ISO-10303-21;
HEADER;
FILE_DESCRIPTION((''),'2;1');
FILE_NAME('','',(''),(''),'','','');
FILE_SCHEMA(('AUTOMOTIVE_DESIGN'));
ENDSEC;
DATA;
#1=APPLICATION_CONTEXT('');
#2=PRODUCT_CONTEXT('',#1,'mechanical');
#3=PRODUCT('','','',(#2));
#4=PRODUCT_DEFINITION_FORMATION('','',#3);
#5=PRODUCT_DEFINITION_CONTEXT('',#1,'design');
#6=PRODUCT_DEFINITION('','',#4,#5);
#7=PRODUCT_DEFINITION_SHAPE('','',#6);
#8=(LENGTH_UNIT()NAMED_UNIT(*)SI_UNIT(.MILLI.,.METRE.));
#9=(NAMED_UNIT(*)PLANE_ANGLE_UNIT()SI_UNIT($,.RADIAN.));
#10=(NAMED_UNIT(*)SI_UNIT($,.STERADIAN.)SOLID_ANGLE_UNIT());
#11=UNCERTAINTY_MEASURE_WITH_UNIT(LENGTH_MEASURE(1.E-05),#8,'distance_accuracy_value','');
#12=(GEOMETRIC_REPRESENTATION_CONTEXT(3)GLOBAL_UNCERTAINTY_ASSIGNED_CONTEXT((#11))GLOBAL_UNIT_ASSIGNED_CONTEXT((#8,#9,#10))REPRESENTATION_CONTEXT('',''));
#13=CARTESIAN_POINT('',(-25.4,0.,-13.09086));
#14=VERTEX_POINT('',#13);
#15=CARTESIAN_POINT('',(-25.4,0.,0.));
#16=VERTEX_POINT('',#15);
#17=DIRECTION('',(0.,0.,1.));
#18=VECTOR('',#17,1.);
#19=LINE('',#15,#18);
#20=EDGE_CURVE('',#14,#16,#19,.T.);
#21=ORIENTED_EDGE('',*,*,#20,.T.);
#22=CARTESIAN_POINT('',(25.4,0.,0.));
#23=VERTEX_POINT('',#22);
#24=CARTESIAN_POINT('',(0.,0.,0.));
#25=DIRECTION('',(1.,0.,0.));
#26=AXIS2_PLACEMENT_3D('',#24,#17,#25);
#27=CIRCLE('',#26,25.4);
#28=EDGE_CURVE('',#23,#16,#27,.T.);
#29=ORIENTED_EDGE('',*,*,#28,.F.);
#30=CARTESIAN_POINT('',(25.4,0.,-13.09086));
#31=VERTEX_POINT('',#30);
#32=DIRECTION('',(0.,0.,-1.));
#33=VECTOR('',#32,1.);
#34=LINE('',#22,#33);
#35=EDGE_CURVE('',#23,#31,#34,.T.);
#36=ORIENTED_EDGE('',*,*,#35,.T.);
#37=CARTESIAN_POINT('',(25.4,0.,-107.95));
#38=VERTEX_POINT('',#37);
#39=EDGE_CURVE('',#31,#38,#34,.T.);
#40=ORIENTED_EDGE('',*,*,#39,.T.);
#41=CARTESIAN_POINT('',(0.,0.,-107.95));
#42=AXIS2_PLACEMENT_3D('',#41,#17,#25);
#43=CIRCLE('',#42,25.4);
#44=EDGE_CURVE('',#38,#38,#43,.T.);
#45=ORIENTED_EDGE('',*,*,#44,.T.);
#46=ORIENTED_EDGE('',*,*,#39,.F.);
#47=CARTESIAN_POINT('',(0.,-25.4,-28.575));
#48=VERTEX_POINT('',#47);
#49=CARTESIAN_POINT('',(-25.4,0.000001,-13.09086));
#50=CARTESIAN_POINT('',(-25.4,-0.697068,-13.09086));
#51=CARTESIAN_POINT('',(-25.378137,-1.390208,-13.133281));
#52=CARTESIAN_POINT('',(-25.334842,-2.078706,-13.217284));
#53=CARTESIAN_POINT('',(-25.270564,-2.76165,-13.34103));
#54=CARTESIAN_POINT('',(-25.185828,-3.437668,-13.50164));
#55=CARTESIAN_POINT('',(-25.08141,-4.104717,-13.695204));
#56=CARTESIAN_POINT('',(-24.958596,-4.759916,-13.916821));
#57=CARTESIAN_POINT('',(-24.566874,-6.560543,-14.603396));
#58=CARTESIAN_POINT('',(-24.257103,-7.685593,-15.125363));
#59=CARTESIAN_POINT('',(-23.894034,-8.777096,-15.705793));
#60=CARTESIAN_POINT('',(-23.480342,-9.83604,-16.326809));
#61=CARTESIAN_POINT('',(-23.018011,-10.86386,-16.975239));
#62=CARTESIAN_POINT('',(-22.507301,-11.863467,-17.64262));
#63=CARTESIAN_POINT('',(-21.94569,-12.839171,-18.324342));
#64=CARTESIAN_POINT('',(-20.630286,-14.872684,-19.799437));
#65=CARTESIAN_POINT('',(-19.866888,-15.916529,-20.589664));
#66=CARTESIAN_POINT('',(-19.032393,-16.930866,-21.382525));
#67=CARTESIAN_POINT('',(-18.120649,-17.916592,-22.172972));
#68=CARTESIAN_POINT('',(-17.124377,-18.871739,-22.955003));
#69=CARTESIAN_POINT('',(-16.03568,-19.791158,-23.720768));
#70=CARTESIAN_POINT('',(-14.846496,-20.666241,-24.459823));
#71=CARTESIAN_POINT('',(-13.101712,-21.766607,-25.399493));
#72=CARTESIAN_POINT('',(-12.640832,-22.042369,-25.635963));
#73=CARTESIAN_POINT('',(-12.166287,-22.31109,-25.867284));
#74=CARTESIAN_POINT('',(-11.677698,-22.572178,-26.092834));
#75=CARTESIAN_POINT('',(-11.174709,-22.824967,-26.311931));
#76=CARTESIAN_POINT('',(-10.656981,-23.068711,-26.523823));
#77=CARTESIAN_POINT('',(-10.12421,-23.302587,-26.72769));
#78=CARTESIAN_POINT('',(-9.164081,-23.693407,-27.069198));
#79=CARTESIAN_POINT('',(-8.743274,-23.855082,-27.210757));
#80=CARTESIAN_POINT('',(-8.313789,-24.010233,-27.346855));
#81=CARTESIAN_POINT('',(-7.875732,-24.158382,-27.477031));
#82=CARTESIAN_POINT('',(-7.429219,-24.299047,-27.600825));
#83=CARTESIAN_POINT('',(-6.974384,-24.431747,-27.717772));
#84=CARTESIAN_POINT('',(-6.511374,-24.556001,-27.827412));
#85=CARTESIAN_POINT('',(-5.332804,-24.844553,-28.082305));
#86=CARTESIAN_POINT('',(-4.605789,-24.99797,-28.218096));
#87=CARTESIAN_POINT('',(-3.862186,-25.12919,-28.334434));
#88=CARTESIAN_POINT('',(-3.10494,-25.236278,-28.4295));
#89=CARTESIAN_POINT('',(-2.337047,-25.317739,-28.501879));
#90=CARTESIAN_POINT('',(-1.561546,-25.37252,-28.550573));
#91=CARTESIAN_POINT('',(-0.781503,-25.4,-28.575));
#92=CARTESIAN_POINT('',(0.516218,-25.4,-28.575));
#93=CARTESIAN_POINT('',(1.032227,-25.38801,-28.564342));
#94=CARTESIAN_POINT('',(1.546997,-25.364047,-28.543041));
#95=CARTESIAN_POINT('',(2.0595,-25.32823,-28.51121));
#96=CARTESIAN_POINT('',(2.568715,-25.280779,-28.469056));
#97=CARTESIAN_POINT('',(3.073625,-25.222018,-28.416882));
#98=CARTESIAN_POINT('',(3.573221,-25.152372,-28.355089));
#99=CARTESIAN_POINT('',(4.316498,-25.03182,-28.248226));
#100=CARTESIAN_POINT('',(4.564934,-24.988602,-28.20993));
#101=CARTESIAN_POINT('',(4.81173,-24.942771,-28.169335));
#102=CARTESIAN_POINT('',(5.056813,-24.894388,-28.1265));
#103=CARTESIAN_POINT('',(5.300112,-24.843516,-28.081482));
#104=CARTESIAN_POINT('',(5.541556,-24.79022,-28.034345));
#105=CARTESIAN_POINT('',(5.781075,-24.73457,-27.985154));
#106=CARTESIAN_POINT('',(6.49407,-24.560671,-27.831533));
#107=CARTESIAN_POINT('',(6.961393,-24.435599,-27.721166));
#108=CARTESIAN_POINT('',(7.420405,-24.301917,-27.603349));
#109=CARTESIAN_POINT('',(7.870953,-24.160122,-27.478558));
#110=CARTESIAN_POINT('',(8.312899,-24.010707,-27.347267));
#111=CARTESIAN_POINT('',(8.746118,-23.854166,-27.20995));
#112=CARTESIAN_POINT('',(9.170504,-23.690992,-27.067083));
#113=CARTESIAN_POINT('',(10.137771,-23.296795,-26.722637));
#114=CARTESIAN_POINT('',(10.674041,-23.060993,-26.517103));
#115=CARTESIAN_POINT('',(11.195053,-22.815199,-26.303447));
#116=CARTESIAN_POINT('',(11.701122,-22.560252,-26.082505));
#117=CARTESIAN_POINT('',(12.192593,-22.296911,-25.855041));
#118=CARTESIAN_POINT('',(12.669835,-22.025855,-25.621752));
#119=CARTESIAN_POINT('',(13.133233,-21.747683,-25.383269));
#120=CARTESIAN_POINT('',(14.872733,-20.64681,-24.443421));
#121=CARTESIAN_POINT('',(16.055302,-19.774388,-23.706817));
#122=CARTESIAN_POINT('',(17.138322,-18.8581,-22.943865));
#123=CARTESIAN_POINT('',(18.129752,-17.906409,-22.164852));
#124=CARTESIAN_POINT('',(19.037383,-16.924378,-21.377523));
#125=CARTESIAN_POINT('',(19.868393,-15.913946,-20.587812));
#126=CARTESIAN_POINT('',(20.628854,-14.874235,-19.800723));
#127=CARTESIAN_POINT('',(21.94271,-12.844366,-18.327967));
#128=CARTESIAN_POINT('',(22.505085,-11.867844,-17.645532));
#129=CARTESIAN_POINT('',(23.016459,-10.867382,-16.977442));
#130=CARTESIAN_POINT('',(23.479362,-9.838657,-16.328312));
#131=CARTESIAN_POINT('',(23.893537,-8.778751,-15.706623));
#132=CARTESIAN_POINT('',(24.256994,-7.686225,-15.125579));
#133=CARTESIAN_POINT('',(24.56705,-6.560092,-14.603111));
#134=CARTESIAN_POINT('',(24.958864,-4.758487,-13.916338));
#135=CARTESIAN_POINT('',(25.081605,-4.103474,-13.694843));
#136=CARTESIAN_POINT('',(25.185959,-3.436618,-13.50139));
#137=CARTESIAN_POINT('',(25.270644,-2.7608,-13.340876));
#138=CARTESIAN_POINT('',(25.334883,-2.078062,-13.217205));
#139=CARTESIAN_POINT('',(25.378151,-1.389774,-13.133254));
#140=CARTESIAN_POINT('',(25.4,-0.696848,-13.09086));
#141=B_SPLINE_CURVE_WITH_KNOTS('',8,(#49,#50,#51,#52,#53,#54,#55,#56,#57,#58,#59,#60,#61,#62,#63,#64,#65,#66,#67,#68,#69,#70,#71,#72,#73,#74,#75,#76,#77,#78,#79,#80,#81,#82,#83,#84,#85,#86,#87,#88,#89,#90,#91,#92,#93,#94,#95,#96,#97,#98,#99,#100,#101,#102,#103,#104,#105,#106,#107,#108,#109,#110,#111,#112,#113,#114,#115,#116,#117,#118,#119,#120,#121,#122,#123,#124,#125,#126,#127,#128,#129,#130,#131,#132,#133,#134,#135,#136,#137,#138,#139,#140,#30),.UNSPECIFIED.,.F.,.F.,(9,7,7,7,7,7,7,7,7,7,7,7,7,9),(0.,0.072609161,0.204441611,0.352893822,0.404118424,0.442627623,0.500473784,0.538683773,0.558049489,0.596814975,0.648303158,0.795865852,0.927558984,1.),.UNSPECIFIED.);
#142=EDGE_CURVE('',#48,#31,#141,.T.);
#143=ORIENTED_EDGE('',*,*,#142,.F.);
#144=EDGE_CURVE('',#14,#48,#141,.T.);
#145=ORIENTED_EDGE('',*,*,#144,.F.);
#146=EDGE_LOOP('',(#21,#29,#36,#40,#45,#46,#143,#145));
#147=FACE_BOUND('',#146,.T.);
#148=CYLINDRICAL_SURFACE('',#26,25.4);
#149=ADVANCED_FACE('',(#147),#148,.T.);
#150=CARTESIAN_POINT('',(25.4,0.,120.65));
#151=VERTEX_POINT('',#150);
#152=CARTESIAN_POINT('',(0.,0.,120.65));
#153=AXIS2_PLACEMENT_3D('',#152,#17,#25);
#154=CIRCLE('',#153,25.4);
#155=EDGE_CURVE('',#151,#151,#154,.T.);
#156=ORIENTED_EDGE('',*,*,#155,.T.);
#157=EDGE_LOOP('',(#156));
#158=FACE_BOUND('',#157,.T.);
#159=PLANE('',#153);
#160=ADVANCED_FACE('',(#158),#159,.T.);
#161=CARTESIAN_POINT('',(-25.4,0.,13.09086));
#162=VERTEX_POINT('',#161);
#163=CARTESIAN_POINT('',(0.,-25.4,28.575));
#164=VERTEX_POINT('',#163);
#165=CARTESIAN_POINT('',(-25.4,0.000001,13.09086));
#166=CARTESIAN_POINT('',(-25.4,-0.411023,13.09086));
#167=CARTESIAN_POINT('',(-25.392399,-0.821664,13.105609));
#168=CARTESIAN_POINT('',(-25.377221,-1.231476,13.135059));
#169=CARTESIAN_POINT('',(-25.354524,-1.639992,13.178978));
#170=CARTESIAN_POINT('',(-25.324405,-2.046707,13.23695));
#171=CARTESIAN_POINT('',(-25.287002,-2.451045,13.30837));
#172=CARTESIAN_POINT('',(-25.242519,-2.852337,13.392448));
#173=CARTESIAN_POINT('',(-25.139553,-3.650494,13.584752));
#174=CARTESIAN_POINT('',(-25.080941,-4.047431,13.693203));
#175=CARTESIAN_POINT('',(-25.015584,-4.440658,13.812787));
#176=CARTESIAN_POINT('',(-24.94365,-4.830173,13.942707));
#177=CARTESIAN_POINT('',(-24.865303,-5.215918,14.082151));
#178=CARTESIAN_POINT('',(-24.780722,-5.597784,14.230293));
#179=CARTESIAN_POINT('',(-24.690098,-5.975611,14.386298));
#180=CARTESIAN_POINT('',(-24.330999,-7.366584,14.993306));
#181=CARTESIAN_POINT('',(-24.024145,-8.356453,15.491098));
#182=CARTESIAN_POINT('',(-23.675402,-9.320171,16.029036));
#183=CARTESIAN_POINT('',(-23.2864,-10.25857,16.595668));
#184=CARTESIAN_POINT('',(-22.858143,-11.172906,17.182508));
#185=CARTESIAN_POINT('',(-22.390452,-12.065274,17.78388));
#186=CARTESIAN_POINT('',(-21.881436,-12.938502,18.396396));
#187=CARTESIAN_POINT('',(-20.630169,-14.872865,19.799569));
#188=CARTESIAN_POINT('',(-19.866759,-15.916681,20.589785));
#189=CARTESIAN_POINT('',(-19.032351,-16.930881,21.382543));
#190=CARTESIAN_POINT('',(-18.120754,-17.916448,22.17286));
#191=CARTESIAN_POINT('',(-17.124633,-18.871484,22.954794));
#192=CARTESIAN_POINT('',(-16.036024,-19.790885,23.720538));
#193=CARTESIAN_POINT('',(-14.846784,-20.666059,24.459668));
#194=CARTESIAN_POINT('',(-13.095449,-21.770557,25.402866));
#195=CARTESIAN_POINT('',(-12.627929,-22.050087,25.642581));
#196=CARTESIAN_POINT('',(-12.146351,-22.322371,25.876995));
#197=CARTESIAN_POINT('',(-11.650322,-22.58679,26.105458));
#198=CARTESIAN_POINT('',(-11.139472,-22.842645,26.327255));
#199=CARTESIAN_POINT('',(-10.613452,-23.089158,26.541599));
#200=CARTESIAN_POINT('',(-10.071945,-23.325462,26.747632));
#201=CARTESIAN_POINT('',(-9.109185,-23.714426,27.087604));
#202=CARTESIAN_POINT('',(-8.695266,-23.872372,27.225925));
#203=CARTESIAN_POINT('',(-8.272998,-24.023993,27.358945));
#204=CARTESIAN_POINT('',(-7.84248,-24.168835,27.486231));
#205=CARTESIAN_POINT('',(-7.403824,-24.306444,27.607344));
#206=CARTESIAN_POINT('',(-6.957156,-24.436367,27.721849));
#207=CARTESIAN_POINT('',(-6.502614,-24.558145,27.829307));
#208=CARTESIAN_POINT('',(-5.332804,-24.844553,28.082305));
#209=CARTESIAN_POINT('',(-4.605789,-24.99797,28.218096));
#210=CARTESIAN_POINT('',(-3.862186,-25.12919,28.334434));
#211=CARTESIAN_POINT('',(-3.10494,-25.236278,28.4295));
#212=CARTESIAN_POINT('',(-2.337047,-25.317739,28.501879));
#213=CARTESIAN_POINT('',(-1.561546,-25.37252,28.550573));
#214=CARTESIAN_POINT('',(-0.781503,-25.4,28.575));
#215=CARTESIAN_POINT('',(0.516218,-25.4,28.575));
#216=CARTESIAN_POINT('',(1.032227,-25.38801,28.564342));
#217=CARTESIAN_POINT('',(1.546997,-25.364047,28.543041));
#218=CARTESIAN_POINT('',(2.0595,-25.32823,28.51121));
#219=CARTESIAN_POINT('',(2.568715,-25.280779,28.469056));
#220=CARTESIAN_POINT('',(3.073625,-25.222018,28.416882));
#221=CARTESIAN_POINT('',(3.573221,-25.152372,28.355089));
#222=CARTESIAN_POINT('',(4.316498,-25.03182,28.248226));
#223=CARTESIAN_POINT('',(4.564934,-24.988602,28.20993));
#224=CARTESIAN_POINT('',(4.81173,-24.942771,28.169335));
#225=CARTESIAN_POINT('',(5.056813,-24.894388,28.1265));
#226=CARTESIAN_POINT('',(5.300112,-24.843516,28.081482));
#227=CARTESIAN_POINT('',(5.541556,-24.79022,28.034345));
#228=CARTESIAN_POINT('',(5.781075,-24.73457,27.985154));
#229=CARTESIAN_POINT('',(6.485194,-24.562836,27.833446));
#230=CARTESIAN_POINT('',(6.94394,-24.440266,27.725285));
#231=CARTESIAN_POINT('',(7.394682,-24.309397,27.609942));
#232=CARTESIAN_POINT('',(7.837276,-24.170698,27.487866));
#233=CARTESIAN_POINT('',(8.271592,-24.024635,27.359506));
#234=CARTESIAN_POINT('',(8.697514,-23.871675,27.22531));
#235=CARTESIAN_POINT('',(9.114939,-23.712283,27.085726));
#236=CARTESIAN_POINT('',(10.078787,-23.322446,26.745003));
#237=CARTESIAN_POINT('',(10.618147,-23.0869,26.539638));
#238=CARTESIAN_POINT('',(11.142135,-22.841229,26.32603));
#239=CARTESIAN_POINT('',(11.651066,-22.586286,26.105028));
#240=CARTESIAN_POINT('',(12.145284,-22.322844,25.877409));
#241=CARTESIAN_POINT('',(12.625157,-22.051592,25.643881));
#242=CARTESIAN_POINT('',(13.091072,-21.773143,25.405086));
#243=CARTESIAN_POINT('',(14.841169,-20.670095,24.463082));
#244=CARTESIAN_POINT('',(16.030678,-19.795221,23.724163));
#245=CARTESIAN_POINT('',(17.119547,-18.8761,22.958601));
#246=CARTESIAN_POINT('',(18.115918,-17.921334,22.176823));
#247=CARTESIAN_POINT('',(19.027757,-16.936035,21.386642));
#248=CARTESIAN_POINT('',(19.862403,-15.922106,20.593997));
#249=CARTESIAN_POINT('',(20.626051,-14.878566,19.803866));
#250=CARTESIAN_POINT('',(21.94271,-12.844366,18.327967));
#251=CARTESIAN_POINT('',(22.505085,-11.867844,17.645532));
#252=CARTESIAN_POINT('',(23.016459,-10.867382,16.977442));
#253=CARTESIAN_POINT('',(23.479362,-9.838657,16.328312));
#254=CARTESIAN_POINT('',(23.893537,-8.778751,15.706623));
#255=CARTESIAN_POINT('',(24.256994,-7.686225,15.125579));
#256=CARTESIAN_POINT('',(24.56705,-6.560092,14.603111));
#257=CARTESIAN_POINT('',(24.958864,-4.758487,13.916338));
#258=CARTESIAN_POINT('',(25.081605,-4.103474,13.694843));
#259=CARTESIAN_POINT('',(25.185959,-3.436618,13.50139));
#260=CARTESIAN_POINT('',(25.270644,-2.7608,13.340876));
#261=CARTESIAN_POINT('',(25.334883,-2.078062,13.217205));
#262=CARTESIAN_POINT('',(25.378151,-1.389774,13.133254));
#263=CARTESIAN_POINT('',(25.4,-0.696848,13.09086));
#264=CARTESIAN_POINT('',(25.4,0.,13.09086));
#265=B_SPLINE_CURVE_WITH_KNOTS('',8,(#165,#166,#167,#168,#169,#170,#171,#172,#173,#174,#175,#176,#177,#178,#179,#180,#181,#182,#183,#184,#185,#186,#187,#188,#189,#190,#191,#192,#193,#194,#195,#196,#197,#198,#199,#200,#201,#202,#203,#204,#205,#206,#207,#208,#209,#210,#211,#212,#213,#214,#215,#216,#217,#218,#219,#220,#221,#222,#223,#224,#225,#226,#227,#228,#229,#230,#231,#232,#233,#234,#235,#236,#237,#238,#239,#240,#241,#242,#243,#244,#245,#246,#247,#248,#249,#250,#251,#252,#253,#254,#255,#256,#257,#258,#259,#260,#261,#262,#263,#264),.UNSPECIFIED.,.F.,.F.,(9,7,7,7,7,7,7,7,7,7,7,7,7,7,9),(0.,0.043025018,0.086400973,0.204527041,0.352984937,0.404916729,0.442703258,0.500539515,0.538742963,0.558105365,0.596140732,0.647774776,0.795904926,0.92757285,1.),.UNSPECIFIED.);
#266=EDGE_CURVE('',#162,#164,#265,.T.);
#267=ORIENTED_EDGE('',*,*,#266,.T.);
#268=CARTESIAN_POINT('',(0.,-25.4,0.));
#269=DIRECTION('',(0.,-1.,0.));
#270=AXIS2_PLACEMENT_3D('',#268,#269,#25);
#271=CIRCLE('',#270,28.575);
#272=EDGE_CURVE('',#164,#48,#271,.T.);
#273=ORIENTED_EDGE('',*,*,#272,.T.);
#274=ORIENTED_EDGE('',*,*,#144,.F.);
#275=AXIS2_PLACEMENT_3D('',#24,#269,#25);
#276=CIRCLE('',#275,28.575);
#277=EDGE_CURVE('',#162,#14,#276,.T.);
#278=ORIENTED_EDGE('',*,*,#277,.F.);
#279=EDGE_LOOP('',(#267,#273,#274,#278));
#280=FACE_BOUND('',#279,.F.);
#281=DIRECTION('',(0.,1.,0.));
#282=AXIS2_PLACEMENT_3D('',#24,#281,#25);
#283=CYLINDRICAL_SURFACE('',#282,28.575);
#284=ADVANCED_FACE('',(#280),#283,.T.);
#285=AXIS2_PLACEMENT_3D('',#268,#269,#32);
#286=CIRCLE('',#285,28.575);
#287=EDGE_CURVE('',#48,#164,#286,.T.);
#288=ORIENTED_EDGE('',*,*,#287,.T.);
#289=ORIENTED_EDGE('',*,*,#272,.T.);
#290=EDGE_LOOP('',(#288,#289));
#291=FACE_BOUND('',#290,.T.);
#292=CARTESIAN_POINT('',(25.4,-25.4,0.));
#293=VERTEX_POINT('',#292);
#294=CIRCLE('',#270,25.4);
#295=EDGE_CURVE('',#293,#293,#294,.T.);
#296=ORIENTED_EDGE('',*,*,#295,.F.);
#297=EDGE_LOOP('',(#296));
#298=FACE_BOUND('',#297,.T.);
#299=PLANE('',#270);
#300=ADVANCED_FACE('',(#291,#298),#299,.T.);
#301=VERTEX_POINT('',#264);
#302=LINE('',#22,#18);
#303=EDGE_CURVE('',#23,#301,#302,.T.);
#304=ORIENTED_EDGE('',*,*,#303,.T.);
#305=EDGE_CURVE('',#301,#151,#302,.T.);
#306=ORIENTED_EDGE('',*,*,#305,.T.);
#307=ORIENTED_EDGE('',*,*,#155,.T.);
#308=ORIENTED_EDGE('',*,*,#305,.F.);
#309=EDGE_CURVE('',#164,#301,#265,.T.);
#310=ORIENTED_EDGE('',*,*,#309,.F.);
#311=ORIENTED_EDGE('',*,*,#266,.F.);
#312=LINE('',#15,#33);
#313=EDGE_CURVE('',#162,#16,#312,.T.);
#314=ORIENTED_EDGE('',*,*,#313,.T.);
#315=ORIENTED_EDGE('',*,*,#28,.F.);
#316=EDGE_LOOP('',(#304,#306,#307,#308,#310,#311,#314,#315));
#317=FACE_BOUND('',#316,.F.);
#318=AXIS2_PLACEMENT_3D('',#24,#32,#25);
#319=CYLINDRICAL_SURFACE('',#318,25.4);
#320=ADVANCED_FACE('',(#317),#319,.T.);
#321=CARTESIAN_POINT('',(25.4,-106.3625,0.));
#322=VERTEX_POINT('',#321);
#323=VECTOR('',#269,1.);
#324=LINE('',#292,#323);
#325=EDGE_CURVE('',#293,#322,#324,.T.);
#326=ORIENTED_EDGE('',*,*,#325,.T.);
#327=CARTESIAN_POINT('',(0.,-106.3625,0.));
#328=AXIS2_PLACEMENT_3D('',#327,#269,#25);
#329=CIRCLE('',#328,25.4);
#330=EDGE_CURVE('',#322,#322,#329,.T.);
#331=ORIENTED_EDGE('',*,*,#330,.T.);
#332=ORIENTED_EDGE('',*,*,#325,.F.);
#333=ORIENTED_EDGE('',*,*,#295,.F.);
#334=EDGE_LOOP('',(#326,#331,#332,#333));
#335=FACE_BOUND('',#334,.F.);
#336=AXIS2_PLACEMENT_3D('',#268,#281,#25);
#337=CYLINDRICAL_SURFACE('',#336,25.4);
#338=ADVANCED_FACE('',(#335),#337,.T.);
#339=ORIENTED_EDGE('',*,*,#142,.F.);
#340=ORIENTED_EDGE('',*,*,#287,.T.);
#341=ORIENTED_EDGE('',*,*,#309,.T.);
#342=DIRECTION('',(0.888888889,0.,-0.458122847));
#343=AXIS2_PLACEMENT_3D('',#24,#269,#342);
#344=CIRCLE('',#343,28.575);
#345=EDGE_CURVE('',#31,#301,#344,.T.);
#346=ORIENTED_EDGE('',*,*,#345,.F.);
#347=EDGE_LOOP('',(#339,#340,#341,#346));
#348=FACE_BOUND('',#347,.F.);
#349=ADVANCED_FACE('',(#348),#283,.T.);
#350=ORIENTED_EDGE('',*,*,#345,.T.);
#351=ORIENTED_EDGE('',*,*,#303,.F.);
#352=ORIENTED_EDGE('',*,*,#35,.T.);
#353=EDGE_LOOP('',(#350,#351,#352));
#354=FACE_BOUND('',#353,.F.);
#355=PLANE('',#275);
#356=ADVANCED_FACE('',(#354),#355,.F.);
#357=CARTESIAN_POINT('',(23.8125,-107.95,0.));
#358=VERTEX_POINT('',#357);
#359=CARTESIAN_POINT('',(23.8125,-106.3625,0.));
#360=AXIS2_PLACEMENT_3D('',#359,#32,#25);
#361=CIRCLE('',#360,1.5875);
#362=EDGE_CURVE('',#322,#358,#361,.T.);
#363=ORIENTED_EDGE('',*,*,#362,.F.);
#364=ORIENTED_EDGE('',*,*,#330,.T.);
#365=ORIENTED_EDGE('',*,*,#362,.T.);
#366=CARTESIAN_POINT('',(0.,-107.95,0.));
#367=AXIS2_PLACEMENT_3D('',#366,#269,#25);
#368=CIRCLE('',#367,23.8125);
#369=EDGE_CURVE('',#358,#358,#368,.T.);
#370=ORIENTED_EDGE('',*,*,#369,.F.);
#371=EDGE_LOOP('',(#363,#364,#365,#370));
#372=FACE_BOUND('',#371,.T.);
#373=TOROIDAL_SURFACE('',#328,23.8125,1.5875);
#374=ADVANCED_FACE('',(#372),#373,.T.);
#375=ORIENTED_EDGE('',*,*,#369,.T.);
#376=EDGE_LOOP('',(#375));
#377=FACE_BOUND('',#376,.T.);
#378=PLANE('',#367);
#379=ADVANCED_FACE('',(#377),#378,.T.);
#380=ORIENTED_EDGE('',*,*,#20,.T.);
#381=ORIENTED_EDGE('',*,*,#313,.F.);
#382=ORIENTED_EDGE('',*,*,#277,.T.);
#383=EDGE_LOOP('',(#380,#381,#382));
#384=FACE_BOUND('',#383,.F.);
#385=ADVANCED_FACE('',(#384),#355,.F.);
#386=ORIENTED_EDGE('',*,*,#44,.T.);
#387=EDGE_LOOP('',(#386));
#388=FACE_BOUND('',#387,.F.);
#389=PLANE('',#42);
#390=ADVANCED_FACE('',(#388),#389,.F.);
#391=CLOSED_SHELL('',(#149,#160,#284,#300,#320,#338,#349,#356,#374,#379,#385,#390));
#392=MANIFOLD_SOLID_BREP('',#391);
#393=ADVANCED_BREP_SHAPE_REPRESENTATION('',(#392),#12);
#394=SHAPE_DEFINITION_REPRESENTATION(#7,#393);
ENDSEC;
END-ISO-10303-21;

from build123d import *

# Parameters (mm, degrees)
F0_R     = 28.575
F1_DEPTH = 25.4
F2_R     = 25.4
F3_DEPTH = 82.55
F4_R     = 25.4
F5_DEPTH = 107.95
F6_R     = 25.4
F7_DEPTH = 120.65
F8_R     = 1.5875


with BuildPart() as f1:
    # F0 (on Front) → F1 (new body)
    with BuildSketch(Plane.XZ):
        Circle(F0_R)
    extrude(amount=F1_DEPTH)

    # F2 (on face) → F3 (join)
    with BuildSketch(Plane.XZ.offset(25.4)):
        Circle(F2_R)
    extrude(amount=F3_DEPTH)

    # F4 (on Top) → F5 (join)
    with BuildSketch(Plane.XY):
        Circle(F4_R)
    extrude(amount=-F5_DEPTH)

    # F6 (on Top) → F7 (join)
    with BuildSketch(Plane.XY):
        Circle(F6_R)
    extrude(amount=F7_DEPTH)

    # F8
    f8_edges = [f1.edges().sort_by_distance(p)[0] for p in [
        (-25.4, -107.95, 0),
    ]]
    fillet(f8_edges, radius=F8_R)


solid = f1.part
